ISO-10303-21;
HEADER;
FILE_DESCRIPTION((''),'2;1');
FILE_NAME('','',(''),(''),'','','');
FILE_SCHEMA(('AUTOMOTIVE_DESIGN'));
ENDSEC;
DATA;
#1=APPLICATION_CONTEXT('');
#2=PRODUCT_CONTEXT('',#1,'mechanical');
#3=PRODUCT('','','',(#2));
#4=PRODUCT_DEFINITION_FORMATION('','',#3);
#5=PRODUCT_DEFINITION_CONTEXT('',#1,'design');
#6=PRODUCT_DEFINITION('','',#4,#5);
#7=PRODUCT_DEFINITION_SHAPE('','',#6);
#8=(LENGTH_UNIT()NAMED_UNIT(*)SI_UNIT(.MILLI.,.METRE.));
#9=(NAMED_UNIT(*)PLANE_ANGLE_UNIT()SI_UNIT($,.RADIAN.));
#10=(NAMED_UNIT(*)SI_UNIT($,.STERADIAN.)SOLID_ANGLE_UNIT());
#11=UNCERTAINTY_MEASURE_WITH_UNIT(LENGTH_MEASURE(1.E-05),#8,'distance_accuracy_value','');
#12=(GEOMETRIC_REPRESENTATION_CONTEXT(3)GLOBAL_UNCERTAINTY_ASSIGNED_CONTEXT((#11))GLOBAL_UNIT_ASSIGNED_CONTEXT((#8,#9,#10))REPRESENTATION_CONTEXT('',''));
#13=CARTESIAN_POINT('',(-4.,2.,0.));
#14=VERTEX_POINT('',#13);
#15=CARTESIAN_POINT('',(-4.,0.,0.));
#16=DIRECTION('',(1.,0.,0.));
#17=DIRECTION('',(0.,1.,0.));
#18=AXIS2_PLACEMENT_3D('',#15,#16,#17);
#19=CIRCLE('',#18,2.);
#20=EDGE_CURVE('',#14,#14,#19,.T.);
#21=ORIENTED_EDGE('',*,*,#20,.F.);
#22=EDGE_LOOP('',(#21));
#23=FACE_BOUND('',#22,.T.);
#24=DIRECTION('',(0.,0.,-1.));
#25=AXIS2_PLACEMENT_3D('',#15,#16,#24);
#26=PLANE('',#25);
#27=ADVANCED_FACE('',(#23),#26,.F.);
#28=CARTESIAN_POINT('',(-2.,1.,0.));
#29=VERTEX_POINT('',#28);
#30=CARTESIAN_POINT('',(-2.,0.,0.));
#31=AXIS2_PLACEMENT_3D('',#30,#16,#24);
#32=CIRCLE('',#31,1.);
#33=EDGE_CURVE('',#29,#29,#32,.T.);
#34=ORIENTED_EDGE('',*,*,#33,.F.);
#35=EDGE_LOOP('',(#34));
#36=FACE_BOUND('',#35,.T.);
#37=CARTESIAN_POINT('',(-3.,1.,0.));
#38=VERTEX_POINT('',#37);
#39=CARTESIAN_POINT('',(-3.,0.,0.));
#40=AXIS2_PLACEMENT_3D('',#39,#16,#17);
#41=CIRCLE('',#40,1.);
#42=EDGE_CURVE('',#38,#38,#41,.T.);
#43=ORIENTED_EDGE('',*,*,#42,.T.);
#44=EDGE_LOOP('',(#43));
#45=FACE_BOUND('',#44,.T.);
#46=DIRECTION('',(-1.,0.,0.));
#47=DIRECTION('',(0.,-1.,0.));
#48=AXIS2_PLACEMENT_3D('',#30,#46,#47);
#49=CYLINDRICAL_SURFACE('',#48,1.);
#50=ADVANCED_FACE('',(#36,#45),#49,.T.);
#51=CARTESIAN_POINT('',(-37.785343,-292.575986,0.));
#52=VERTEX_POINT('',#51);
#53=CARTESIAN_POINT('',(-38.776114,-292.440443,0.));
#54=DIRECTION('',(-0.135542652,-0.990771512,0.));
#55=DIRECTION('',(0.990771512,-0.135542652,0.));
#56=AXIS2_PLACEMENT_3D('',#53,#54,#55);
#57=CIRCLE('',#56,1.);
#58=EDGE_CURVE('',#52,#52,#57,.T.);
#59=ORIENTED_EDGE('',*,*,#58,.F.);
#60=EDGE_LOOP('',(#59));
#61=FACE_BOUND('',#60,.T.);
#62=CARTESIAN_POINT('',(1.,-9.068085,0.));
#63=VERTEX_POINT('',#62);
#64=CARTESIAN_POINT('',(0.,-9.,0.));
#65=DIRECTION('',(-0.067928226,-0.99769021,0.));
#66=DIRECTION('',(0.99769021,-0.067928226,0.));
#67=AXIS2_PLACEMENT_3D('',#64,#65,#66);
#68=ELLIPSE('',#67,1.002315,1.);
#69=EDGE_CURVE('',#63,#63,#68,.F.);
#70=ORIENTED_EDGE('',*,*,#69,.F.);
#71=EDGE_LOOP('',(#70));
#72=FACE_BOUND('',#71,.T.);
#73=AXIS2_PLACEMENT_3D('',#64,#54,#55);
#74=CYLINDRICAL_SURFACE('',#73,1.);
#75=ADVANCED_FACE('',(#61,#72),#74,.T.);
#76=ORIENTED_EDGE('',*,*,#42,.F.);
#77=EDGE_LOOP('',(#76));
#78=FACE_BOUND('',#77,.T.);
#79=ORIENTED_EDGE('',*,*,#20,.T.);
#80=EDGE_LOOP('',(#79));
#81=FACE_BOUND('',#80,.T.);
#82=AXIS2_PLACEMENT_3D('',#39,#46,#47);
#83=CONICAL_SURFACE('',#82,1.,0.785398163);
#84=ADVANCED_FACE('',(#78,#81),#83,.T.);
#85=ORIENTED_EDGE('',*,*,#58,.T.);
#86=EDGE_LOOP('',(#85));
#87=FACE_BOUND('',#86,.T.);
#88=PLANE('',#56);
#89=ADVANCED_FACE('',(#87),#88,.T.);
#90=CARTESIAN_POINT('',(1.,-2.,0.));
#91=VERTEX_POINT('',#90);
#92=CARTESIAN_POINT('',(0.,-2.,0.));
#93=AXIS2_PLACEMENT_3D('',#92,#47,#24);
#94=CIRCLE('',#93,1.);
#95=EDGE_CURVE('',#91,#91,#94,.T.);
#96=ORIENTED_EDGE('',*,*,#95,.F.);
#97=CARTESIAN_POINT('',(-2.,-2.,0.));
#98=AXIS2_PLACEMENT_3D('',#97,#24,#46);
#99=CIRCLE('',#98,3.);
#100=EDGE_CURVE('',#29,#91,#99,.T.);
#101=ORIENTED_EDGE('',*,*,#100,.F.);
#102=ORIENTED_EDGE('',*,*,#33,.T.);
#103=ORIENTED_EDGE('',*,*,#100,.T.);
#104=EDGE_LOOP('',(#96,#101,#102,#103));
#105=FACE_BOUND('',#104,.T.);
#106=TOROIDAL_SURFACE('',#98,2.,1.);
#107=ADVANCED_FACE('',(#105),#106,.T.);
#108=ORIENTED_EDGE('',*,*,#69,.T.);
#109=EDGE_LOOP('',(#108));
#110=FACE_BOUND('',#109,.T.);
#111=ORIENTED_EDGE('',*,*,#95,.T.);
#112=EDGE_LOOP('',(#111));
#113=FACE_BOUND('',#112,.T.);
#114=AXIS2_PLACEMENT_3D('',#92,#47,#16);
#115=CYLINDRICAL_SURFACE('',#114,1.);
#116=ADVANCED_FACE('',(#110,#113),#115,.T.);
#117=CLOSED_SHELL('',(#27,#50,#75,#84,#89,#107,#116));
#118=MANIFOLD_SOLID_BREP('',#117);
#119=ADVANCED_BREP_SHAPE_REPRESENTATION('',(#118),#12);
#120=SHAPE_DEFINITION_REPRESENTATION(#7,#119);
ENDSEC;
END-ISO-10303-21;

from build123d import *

# Parameters (mm, degrees)
ESQUISSE2_R = 1


with BuildPart() as part:
    # Balayage1: sweep along a path in Esquisse1
    with BuildLine(Plane.XY) as balayage1_path:
        Line((-4, 0), (-2, 0))
        ThreePointArc((-2, 0), (-0.585786438, -0.585786438), (0, -2))
        Line((0, -2), (0, -9))
        Line((0, -9), (-38.776114355, -292.440443433))
    # Esquisse2 → Balayage1 (sweep)
    with BuildSketch(Plane(origin=(-4, 0, 0), x_dir=(0, 0, -1), z_dir=(1, 0, 0))):
        Circle(ESQUISSE2_R)
    sweep(path=balayage1_path.line, transition=Transition.RIGHT)

    # Esquisse3 → Révolution1 (revolve)
    with BuildSketch(Plane.XY):
        Polygon((-4, 1), (-4, 2), (-3, 1), align=None)
    revolve(axis=Axis((0, 0, 0), (-1, 0, 0)))


solid = part.part
